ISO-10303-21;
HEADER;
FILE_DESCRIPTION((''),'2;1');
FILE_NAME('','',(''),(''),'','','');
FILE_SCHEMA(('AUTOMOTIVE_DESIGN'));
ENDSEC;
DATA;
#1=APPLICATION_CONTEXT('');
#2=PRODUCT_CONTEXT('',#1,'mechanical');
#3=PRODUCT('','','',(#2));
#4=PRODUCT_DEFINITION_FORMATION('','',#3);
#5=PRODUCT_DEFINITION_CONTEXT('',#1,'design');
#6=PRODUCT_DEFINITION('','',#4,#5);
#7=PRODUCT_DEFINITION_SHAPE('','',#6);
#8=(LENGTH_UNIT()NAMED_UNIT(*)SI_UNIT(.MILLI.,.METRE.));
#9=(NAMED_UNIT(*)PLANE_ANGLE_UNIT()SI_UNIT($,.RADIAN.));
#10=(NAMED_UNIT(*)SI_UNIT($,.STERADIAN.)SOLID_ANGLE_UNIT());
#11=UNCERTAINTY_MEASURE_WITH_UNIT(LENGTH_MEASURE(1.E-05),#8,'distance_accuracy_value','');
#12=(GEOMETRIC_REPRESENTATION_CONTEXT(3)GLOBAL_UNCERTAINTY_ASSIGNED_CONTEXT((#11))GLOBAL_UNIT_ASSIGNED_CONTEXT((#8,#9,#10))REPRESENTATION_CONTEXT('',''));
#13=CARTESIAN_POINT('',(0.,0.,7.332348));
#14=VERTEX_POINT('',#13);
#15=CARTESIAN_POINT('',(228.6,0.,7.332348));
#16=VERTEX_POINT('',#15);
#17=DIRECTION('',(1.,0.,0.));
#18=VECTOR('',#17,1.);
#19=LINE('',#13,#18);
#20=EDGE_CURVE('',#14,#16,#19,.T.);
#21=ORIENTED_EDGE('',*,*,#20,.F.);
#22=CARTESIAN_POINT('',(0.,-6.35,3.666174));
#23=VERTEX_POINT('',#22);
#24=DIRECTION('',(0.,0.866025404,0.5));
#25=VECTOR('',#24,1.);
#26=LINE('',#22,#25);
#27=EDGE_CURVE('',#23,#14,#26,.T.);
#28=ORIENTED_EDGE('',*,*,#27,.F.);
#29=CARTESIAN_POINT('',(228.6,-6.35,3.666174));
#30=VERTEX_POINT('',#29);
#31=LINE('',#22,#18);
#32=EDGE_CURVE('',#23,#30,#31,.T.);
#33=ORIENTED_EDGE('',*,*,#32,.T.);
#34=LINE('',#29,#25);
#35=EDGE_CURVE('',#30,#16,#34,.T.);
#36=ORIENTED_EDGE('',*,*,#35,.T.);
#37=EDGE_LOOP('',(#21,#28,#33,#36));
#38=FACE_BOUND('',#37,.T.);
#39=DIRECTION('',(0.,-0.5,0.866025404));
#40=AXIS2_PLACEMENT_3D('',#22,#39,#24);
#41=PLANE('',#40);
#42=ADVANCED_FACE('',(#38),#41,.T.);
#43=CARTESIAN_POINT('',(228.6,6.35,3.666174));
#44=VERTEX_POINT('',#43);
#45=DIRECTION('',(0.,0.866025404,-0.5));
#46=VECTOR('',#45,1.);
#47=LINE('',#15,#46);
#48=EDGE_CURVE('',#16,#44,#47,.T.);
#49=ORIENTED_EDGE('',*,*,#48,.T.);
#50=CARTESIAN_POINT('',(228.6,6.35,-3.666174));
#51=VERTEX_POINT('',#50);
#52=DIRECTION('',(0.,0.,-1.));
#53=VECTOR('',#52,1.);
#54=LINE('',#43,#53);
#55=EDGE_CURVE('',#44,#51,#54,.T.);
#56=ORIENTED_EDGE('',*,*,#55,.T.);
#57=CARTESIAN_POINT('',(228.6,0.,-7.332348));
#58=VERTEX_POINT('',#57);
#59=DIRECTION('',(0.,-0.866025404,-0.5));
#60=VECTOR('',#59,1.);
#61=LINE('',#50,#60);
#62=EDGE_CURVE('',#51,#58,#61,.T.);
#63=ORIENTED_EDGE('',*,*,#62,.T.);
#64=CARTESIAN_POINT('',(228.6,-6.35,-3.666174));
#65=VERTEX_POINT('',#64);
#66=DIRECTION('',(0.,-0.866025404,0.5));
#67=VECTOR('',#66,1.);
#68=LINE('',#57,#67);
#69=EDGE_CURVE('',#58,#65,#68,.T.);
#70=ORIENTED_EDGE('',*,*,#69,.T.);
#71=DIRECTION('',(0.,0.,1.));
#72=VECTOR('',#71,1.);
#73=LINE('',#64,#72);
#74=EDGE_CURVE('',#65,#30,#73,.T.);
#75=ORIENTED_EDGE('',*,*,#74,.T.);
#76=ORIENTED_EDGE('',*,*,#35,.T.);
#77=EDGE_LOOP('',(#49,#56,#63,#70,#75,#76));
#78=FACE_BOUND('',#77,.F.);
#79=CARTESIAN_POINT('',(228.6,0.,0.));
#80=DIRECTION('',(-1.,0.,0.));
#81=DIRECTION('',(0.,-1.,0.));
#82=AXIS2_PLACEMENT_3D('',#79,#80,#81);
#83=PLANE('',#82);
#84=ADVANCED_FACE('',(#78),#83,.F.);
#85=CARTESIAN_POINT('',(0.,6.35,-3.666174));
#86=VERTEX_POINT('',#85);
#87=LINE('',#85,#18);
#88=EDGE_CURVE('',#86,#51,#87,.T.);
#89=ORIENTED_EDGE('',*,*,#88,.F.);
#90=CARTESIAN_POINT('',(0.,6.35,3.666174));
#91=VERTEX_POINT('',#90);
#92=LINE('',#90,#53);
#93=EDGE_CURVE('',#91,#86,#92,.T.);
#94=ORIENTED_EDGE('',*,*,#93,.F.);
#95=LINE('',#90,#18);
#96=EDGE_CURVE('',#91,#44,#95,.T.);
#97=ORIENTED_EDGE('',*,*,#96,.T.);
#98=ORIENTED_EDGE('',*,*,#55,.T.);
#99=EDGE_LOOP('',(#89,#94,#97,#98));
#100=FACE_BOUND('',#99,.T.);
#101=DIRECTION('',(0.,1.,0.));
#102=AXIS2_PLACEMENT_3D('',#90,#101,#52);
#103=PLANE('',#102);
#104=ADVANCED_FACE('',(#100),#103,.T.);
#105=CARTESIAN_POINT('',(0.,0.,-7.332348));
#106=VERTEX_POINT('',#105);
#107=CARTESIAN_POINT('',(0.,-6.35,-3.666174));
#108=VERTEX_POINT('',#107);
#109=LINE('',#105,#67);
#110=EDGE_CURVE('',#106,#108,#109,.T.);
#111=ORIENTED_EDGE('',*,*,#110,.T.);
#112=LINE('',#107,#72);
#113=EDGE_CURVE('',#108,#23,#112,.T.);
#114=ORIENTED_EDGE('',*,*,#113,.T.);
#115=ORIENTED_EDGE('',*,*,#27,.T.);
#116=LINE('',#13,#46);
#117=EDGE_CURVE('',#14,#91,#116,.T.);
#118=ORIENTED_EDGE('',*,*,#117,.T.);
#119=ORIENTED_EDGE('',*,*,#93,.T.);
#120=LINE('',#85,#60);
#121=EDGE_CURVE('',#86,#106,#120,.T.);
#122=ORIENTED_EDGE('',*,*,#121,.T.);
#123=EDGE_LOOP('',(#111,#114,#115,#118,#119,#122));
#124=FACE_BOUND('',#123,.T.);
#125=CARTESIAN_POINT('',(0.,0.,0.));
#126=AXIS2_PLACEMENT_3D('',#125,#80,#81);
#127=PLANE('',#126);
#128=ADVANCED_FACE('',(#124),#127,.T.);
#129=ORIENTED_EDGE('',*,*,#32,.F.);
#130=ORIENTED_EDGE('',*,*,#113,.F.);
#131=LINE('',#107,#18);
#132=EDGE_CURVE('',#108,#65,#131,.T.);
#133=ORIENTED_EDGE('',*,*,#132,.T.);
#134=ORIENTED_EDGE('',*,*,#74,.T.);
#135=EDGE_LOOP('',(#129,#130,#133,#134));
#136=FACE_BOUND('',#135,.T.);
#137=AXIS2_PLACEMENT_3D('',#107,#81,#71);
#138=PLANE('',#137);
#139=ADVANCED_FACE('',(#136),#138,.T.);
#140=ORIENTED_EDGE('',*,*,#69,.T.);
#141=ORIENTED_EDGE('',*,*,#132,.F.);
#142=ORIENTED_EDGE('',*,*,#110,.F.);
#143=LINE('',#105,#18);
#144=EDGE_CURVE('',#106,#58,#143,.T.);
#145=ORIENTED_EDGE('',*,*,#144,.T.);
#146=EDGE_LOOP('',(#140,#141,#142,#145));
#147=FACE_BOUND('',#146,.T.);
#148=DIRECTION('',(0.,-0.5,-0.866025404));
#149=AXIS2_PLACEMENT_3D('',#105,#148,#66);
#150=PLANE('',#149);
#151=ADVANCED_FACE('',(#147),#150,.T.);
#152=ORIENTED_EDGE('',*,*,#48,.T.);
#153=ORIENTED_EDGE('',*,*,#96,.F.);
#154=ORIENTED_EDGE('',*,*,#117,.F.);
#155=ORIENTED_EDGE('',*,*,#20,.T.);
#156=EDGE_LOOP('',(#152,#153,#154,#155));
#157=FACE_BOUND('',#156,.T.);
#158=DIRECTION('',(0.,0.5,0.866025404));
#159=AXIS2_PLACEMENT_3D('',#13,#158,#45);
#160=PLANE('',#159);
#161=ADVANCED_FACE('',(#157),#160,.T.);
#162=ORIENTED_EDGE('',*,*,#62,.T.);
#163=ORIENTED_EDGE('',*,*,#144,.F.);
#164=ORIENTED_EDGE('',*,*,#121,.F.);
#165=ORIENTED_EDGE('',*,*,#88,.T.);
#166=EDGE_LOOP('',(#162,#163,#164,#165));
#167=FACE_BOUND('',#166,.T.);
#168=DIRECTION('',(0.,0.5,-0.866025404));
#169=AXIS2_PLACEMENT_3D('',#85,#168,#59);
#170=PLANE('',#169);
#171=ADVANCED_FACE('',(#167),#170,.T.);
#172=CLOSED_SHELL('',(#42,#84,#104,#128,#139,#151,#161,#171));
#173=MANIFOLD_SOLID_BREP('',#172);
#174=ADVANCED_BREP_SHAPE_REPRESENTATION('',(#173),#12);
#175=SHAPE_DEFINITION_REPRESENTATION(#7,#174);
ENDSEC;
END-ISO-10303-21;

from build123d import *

# Parameters (mm, degrees)
BOSS_EXTRUDE1_DEPTH = 228.6


with BuildPart() as part:
    # Sketch1 → Boss-Extrude1 (new body)
    with BuildSketch(Plane(origin=(0, 0, 0), x_dir=(0, -1, 0), z_dir=(-1, 0, 0))):
        Polygon((-6.35, 3.666174209), (-6.35, -3.666174209), (0, -7.332348419), (6.35, -3.666174209), (6.35, 3.666174209), (0, 7.332348419), align=None)
    extrude(amount=-BOSS_EXTRUDE1_DEPTH)


solid = part.part
